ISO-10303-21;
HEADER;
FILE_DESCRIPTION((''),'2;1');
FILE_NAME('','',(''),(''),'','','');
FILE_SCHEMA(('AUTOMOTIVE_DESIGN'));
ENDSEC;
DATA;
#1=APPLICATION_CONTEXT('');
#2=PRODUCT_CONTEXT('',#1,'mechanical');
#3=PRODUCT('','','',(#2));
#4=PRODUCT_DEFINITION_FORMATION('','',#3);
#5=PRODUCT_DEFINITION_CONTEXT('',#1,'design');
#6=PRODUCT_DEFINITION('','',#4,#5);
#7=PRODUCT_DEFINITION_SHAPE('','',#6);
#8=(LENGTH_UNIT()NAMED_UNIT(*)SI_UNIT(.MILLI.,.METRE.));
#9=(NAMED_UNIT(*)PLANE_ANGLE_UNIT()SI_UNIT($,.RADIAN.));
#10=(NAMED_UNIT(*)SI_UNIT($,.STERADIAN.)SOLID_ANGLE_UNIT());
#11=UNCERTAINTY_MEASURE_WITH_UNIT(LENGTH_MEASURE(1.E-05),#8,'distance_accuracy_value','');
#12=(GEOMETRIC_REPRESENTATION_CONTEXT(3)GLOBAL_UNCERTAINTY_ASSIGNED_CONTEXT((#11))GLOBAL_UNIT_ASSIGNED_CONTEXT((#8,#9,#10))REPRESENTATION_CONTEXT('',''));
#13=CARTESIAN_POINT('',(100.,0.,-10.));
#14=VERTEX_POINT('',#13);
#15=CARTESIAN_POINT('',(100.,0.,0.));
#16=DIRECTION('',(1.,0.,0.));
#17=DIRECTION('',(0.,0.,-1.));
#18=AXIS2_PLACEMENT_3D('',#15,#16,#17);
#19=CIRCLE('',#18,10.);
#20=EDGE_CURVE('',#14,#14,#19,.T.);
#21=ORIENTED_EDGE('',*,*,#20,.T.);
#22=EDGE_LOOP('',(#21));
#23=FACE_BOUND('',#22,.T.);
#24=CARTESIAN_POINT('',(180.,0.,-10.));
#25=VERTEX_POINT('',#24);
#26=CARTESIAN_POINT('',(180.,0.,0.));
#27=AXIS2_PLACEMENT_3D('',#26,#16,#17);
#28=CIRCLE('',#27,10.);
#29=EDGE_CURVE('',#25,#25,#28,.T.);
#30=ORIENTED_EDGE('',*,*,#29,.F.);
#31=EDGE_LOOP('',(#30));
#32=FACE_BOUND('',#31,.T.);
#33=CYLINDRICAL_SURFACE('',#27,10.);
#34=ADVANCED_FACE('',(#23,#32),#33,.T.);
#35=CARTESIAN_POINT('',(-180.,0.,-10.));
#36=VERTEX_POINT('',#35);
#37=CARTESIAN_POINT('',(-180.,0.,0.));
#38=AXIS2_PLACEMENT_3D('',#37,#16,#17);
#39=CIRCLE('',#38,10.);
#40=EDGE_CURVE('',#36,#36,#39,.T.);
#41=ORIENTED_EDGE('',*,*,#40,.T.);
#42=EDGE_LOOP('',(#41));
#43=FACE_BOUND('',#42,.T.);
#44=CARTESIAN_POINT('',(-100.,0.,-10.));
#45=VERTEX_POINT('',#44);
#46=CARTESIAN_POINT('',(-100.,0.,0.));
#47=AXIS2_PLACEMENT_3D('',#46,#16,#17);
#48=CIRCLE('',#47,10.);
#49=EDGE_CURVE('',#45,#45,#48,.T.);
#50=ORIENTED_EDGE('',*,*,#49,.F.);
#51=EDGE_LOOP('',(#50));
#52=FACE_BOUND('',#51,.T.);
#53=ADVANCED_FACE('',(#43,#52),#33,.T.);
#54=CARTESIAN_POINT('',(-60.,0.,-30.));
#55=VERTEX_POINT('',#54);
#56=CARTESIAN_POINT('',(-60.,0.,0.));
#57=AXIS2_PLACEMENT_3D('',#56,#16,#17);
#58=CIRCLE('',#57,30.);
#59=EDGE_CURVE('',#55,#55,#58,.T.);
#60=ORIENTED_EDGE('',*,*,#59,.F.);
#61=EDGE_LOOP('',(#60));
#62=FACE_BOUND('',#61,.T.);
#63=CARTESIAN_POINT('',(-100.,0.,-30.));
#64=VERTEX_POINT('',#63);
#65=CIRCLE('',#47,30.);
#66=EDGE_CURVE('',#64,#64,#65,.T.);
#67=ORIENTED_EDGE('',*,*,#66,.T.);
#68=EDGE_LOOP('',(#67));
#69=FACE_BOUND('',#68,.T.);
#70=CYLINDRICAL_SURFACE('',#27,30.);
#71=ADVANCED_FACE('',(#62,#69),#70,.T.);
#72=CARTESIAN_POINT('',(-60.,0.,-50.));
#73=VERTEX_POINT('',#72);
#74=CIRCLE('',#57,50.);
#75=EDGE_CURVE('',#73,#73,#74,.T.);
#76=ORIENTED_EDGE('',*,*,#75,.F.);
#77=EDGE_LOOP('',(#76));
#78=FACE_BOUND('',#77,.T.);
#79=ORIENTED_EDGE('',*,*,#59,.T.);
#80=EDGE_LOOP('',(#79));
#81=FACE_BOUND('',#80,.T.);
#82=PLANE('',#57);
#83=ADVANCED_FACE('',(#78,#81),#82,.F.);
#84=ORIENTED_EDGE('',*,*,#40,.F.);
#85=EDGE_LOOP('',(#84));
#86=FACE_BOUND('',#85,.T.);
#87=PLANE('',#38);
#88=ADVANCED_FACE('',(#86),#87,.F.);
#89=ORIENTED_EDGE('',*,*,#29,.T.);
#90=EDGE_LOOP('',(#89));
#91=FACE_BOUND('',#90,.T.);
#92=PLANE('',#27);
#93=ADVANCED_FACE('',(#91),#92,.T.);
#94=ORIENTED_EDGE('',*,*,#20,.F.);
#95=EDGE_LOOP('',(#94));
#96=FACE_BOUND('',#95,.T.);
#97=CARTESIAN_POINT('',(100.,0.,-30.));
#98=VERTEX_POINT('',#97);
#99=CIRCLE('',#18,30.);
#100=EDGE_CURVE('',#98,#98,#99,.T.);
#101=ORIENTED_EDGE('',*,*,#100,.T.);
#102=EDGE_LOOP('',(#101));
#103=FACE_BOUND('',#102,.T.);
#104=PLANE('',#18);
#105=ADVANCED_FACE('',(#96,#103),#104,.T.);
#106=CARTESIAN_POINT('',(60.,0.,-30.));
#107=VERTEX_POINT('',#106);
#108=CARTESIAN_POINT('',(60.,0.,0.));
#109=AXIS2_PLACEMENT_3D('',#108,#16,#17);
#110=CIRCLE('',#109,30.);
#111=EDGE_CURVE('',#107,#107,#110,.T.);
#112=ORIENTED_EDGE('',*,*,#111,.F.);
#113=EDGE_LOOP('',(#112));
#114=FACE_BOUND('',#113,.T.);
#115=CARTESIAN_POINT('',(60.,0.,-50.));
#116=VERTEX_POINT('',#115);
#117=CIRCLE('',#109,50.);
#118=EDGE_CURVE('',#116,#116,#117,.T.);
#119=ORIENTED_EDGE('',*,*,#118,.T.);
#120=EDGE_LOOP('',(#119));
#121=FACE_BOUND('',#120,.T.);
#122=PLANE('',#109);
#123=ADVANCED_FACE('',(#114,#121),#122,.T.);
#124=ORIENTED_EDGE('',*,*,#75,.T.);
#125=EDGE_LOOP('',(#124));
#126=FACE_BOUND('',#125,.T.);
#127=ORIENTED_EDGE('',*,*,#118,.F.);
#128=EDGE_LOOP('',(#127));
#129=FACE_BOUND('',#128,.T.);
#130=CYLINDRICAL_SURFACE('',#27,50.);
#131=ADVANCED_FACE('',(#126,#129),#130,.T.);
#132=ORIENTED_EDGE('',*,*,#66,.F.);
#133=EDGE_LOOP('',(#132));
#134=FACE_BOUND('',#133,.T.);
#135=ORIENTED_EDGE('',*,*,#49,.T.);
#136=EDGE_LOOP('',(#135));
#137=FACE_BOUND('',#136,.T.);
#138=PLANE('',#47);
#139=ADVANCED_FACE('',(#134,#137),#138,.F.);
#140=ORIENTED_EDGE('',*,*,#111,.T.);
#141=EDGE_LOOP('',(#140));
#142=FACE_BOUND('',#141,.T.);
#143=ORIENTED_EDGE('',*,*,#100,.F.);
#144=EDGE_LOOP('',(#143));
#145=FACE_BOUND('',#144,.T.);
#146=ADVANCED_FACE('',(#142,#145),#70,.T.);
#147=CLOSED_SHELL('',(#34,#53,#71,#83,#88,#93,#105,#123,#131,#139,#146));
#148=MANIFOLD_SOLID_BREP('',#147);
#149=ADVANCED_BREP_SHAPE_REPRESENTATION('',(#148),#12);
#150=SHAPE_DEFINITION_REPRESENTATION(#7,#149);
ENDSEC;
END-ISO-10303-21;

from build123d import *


with BuildPart() as part:
    # Sketch1 → Revolve1 (revolve)
    with BuildSketch(Plane.XY):
        Polygon((-180, 0), (0, 0), (0, 50), (-60, 50), (-60, 30), (-100, 30), (-100, 10), (-180, 10), align=None)
        Polygon((0, 0), (180, 0), (180, 10), (100, 10), (100, 30), (60, 30), (60, 50), (0, 50), align=None)
    revolve(axis=Axis((180, 0, 0), (-1, 0, 0)))


solid = part.part
